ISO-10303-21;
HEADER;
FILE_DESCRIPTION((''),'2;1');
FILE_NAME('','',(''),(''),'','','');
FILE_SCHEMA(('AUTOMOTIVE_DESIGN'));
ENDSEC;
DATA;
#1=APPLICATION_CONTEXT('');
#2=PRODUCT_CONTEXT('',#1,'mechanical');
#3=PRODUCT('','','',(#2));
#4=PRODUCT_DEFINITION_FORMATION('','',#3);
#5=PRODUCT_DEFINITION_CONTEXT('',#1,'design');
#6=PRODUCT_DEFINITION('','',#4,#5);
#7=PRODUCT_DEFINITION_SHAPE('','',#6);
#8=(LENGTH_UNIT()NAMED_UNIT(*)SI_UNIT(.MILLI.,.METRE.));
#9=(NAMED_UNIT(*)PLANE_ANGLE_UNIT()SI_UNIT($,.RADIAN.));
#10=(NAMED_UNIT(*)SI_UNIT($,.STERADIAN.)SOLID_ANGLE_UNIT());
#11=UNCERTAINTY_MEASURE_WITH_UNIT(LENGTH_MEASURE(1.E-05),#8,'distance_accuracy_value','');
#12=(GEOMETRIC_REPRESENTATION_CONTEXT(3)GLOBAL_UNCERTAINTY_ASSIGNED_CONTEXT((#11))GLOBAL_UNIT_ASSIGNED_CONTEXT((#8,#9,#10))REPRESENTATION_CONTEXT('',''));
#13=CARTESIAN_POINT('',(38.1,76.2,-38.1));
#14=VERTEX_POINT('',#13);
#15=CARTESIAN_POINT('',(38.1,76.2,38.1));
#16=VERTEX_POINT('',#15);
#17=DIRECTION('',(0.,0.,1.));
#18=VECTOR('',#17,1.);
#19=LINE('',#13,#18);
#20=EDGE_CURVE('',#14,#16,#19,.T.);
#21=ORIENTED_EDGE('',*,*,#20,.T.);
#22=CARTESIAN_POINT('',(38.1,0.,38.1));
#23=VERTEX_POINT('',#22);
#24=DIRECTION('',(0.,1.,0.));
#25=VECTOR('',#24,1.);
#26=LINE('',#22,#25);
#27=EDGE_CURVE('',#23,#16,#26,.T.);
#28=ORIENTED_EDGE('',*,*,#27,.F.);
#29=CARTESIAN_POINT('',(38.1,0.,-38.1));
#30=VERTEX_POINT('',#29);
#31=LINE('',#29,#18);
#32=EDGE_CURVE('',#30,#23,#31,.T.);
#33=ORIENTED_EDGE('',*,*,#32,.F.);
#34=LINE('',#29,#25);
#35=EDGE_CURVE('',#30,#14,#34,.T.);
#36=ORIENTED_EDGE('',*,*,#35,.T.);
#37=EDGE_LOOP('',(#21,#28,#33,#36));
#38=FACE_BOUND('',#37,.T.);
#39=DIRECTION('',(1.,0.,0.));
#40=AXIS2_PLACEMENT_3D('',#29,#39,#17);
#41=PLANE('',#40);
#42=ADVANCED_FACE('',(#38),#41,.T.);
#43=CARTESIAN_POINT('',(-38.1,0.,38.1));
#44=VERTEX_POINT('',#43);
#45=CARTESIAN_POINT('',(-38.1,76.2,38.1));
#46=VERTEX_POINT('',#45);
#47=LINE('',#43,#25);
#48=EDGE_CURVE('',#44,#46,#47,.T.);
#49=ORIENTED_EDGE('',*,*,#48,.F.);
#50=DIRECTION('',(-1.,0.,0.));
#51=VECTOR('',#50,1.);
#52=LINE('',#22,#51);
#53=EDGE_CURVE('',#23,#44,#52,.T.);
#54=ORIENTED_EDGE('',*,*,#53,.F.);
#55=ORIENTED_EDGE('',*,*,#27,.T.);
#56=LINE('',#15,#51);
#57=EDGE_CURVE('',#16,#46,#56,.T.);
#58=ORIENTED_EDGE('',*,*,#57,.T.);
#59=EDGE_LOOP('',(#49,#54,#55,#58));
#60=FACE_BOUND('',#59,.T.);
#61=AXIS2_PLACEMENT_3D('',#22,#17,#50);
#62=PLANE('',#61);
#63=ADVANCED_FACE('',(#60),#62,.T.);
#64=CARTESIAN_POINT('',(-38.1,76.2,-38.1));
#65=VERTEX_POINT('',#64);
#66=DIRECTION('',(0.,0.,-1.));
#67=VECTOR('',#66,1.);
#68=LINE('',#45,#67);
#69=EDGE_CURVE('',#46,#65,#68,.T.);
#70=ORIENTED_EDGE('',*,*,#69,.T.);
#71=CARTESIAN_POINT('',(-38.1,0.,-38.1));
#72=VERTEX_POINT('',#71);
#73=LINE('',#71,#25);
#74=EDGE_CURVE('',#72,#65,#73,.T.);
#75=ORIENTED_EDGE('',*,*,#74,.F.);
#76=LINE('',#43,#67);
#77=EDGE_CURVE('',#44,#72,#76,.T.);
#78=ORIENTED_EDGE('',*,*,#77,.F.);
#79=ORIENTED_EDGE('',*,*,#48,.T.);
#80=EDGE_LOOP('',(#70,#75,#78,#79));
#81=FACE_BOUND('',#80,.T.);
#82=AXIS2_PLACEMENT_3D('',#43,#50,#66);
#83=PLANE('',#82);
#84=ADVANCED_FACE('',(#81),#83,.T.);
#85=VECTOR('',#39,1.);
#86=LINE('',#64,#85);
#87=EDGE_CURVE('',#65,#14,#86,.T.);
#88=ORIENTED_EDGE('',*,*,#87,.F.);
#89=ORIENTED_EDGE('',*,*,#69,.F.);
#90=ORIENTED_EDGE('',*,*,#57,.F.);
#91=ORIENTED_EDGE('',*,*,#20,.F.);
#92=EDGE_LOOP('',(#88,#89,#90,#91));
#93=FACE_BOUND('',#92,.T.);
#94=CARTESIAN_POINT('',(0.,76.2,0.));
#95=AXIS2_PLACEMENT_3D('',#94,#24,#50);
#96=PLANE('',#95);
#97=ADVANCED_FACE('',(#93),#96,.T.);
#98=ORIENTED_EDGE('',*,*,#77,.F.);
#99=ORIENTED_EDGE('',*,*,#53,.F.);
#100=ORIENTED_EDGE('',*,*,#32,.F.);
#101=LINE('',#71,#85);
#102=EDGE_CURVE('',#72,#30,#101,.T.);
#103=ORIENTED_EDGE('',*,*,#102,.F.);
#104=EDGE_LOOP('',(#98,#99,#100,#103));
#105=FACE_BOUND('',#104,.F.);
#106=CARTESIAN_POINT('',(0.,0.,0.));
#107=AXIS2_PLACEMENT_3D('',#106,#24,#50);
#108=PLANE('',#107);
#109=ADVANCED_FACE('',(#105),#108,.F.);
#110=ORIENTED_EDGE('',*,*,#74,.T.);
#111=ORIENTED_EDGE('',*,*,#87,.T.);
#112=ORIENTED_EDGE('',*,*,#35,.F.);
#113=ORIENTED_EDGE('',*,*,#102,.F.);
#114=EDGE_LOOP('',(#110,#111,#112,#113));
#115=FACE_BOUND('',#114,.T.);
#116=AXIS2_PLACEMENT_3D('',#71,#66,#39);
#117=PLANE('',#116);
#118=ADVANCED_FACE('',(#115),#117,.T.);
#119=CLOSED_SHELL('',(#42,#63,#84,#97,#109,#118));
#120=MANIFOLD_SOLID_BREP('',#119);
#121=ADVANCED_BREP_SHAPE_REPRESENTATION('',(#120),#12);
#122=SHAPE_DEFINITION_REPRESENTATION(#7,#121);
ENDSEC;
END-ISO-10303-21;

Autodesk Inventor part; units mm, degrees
ref_plane "YZ Plane" through (0, 0, 0) normal (1, 0, 0) x (0, 1, 0)
ref_plane "XZ Plane" through (0, 0, 0) normal (0, 1, 0) x (-1, 0, 0)
ref_plane "XY Plane" through (0, 0, 0) normal (0, 0, 1) x (1, 0, 0)
sketch "Sketch1" plane through (0, 0, 0) normal (0, 1, 0) x (-1, 0, 0)
  line L0 (-38.1, 38.1) -> (38.1, 38.1)
  line L1 (38.1, 38.1) -> (38.1, -38.1)
  line L2 (38.1, -38.1) -> (-38.1, -38.1)
  line L3 (-38.1, -38.1) -> (-38.1, 38.1)
  line L4 (-38.1, 38.1) -> (38.1, -38.1) construction
  line L5 (38.1, 38.1) -> (-38.1, -38.1) construction
  point P0 (0, 0)
  dimension "d0" = 76.2
  dimension "d1" = 76.2
extrude "Extrusion1" add sketch "Sketch1" along normal blind 76.2
properties part number "BX11111"
